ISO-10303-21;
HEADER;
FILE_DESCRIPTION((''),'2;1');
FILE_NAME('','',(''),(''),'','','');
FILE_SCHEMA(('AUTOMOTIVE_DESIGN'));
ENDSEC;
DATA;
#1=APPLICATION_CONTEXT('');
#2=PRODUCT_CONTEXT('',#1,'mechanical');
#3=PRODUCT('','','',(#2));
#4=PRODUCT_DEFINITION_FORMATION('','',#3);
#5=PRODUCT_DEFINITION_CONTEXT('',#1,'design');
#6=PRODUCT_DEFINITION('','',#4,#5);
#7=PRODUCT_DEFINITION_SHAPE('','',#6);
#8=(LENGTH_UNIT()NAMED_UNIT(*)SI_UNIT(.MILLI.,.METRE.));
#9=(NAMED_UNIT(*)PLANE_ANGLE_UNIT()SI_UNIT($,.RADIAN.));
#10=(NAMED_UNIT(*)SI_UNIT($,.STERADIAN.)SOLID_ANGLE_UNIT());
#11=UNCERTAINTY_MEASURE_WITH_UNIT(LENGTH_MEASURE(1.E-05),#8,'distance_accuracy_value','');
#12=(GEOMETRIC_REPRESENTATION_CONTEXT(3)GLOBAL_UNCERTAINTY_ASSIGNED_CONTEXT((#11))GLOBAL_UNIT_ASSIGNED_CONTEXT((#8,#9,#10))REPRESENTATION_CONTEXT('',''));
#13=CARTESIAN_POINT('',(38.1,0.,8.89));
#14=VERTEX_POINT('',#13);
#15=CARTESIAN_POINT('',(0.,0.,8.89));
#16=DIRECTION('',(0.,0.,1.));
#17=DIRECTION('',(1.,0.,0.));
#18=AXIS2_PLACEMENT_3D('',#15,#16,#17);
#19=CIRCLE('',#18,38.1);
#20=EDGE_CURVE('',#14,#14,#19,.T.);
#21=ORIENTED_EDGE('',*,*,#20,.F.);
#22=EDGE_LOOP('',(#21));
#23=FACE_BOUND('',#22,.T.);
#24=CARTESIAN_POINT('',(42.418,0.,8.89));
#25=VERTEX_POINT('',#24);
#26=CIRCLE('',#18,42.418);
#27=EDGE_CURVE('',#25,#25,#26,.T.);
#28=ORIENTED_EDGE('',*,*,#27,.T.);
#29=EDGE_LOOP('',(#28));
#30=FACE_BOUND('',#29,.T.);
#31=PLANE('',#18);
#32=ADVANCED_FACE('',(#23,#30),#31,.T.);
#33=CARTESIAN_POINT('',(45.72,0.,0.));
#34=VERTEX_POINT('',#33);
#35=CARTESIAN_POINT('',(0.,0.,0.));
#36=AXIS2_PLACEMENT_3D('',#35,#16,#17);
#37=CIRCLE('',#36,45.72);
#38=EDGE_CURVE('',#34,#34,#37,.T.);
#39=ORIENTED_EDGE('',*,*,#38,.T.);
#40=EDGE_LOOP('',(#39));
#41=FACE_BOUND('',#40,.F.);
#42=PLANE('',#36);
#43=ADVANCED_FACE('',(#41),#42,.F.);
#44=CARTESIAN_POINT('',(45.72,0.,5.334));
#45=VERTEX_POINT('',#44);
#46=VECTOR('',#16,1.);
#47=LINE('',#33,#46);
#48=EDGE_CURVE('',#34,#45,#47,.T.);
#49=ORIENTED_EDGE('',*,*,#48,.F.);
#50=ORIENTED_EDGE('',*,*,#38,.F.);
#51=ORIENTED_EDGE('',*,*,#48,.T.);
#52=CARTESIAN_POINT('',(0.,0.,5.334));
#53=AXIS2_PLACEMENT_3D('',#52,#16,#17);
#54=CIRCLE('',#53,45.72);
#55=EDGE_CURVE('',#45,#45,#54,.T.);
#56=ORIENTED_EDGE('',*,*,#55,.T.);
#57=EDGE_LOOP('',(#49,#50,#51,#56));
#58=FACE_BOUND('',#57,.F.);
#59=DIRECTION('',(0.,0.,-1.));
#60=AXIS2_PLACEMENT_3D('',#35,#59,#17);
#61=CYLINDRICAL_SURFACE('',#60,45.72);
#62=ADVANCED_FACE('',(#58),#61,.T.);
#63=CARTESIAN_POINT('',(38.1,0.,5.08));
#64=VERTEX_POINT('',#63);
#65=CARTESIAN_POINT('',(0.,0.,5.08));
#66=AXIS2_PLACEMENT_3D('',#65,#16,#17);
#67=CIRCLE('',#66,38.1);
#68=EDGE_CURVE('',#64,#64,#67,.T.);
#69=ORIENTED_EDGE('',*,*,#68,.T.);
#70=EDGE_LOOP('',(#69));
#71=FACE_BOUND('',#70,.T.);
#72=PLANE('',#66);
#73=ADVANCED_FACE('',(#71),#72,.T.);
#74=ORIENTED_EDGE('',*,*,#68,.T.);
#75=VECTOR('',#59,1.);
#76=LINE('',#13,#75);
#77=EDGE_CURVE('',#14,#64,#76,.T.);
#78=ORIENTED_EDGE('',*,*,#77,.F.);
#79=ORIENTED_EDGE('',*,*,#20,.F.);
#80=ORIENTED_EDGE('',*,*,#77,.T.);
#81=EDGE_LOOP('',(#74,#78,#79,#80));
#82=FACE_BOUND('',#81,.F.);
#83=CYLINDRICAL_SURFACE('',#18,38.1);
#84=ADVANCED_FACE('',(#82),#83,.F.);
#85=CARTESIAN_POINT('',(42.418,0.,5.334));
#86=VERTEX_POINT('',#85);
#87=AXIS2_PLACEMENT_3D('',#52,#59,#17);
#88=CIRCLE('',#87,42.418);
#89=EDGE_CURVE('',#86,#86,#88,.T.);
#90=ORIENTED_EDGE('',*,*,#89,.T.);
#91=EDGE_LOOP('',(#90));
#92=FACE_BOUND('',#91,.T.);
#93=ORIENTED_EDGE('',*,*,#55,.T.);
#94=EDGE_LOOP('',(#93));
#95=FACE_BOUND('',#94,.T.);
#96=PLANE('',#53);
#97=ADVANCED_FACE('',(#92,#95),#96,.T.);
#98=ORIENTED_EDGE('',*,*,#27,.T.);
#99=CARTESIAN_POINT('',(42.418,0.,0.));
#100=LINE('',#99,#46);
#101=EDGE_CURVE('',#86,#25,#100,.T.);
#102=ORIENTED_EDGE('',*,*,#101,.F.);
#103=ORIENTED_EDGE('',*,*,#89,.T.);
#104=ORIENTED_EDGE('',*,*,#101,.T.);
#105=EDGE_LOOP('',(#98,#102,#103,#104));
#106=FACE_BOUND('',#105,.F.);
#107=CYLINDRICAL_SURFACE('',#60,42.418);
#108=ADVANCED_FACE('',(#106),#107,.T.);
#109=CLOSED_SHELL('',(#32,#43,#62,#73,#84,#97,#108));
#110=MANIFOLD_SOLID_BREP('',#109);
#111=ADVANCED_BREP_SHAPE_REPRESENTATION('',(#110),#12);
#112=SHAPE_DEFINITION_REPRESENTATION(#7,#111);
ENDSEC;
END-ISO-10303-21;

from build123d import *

# Parameters (mm, degrees)
F0_R     = 45.72
F1_DEPTH = 5.334
F2_R     = 42.418
F3_DEPTH = 8.89
F4_R     = 38.1
F5_DEPTH = 3.81


with BuildPart() as f1:
    # F0 (on Top) → F1 (new body)
    with BuildSketch(Plane.XY):
        Circle(F0_R)
    extrude(amount=F1_DEPTH)

    # F2 (on Top) → F3 (join)
    with BuildSketch(Plane.XY):
        Circle(F2_R)
    extrude(amount=F3_DEPTH)

    # F4 (on face) → F5 (cut)
    with BuildSketch(Plane.XY.offset(8.89)):
        Circle(F4_R)
    extrude(amount=-F5_DEPTH, mode=Mode.SUBTRACT)


solid = f1.part
